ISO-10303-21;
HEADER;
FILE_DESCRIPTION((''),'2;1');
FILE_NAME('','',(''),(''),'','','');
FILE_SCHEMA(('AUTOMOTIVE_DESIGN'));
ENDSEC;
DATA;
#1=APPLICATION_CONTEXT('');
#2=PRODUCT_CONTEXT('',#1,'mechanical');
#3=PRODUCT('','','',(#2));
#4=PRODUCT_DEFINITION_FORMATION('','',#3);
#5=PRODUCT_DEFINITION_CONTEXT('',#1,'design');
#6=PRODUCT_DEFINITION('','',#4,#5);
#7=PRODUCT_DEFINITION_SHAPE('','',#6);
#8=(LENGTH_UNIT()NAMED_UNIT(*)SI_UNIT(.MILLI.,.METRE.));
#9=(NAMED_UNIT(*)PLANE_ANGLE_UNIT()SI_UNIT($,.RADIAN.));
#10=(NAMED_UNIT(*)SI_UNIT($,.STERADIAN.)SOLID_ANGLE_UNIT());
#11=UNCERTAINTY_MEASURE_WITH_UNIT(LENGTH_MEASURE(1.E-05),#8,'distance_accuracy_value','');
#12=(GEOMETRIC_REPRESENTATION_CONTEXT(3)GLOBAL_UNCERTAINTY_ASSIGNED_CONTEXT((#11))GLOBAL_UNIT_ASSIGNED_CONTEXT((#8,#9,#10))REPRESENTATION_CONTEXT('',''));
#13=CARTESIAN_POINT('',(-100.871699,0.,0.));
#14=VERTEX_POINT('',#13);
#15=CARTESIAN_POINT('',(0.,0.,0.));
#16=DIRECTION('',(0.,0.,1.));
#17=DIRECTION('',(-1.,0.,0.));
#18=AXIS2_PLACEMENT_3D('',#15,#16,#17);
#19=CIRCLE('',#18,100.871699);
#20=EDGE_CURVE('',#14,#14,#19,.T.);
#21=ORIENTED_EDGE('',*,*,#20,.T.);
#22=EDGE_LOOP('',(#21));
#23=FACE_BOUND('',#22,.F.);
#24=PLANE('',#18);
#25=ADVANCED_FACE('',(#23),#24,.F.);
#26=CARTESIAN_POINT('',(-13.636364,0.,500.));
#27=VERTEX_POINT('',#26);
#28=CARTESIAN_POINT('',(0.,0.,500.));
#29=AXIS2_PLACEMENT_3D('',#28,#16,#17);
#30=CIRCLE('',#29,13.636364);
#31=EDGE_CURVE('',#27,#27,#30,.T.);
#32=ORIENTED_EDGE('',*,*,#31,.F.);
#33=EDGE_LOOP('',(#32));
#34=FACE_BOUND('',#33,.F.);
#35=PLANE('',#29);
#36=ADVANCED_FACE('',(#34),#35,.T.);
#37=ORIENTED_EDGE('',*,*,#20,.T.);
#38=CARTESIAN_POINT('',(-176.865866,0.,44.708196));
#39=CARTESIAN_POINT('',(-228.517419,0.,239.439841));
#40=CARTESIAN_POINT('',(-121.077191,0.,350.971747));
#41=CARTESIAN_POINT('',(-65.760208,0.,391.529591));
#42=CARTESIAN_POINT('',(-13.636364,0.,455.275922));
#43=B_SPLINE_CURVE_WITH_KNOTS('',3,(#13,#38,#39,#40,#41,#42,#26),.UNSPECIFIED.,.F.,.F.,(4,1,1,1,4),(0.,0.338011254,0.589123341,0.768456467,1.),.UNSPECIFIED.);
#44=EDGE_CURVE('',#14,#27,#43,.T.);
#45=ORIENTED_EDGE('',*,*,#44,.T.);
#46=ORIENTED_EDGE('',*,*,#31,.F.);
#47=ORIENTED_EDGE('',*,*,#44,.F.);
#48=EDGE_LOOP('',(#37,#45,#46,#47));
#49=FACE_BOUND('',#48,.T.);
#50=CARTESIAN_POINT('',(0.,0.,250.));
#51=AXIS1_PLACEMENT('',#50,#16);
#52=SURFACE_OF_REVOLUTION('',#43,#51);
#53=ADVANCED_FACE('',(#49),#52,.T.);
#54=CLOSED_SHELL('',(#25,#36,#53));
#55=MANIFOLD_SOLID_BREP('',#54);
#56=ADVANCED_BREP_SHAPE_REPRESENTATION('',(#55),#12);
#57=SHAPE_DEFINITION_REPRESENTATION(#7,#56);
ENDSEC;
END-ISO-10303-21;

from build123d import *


with BuildPart() as f1:
    # F0 (on Front) → F1 (revolve)
    with BuildSketch(Plane.XZ):
        with BuildLine():
            Line((-100.871699354, 0), (0, 0))
            Line((0, 0), (0, 500))
            Line((0, 500), (-13.6363636364, 500))
            add(Edge.make_bspline(
                [(-100.871699354, 0), (-176.8658659888, 44.7081957839), (-228.5174188944, 239.4398406162), (-121.0771911125, 350.9717469539), (-65.7602080075, 391.529590662), (-13.6363636364, 455.2759224994), (-13.6363636364, 500)],
                knots=[0, 0, 0, 0, 0.3380112538, 0.5891233406, 0.7684564666, 1, 1, 1, 1], degree=3))
        make_face()
    revolve(axis=Axis((0, 0, 250), (0, 0, 1)))


solid = f1.part
